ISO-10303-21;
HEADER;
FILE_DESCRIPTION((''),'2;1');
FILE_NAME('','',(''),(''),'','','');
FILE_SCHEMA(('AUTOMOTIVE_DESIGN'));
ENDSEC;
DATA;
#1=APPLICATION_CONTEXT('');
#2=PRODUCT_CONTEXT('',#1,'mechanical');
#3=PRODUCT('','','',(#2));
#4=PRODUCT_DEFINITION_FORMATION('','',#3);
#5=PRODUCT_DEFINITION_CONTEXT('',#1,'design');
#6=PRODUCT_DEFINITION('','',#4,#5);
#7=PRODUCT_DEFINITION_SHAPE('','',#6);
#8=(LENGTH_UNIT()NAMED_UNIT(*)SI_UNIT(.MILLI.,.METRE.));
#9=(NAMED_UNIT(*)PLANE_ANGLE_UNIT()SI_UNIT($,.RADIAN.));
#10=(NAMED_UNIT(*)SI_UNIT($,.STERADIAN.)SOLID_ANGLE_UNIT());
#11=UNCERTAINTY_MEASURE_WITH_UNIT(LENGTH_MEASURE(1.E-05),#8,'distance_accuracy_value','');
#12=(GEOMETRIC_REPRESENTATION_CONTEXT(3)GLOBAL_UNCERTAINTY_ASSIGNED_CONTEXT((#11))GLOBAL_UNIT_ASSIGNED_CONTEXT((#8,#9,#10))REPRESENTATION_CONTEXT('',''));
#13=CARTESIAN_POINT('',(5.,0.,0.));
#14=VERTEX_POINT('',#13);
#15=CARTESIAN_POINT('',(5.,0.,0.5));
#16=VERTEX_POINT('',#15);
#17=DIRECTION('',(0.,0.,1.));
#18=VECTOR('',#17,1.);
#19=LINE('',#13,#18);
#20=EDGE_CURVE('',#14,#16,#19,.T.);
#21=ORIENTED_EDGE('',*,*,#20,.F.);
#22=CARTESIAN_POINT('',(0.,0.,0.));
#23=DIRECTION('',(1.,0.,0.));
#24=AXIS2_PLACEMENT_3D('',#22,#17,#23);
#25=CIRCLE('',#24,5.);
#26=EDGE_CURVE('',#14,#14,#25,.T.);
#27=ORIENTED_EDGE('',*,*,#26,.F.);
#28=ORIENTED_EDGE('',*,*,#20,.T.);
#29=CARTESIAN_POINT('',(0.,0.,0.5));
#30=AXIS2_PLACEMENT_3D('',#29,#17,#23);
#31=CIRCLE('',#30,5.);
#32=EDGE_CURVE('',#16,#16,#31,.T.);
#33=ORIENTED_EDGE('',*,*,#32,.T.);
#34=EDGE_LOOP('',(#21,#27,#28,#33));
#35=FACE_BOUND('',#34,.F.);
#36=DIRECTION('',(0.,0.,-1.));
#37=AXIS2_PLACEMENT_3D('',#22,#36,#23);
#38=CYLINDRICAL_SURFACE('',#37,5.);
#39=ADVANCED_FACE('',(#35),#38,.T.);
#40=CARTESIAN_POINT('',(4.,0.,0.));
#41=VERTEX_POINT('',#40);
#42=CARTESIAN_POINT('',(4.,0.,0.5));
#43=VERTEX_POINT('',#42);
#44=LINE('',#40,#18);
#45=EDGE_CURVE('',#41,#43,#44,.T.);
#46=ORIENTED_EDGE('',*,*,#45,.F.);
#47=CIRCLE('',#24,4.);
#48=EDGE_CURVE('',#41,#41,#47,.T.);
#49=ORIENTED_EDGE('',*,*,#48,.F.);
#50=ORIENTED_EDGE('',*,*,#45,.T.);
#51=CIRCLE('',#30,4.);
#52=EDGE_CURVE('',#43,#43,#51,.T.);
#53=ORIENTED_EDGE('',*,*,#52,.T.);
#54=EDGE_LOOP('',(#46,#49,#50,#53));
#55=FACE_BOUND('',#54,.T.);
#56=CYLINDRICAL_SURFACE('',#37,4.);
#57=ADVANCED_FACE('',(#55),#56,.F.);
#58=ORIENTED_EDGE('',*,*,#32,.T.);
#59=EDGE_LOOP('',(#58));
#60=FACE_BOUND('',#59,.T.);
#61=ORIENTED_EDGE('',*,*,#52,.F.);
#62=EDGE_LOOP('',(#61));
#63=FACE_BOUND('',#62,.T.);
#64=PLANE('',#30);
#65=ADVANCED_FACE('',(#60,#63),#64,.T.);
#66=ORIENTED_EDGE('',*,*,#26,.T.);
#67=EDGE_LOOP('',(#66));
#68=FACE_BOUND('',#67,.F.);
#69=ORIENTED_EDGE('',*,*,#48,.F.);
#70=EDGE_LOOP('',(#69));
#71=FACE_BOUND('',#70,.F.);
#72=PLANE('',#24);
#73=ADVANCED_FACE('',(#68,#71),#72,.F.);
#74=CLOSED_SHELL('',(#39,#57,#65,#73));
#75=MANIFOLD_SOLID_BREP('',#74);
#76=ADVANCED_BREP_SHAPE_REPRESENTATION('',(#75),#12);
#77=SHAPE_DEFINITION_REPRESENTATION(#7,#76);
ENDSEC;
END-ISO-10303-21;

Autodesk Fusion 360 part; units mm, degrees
sketch "Sketch1" plane through (0, 0, 0) normal (0, 0, 1) x (1, 0, 0)
  circle A0 centre (0, 0) radius 4
  circle A1 centre (0, 0) radius 5
  dimension "d1" = 8
  dimension "d2" = 10
extrude "Extrude1" add sketch "Sketch1" along normal blind 0.5
